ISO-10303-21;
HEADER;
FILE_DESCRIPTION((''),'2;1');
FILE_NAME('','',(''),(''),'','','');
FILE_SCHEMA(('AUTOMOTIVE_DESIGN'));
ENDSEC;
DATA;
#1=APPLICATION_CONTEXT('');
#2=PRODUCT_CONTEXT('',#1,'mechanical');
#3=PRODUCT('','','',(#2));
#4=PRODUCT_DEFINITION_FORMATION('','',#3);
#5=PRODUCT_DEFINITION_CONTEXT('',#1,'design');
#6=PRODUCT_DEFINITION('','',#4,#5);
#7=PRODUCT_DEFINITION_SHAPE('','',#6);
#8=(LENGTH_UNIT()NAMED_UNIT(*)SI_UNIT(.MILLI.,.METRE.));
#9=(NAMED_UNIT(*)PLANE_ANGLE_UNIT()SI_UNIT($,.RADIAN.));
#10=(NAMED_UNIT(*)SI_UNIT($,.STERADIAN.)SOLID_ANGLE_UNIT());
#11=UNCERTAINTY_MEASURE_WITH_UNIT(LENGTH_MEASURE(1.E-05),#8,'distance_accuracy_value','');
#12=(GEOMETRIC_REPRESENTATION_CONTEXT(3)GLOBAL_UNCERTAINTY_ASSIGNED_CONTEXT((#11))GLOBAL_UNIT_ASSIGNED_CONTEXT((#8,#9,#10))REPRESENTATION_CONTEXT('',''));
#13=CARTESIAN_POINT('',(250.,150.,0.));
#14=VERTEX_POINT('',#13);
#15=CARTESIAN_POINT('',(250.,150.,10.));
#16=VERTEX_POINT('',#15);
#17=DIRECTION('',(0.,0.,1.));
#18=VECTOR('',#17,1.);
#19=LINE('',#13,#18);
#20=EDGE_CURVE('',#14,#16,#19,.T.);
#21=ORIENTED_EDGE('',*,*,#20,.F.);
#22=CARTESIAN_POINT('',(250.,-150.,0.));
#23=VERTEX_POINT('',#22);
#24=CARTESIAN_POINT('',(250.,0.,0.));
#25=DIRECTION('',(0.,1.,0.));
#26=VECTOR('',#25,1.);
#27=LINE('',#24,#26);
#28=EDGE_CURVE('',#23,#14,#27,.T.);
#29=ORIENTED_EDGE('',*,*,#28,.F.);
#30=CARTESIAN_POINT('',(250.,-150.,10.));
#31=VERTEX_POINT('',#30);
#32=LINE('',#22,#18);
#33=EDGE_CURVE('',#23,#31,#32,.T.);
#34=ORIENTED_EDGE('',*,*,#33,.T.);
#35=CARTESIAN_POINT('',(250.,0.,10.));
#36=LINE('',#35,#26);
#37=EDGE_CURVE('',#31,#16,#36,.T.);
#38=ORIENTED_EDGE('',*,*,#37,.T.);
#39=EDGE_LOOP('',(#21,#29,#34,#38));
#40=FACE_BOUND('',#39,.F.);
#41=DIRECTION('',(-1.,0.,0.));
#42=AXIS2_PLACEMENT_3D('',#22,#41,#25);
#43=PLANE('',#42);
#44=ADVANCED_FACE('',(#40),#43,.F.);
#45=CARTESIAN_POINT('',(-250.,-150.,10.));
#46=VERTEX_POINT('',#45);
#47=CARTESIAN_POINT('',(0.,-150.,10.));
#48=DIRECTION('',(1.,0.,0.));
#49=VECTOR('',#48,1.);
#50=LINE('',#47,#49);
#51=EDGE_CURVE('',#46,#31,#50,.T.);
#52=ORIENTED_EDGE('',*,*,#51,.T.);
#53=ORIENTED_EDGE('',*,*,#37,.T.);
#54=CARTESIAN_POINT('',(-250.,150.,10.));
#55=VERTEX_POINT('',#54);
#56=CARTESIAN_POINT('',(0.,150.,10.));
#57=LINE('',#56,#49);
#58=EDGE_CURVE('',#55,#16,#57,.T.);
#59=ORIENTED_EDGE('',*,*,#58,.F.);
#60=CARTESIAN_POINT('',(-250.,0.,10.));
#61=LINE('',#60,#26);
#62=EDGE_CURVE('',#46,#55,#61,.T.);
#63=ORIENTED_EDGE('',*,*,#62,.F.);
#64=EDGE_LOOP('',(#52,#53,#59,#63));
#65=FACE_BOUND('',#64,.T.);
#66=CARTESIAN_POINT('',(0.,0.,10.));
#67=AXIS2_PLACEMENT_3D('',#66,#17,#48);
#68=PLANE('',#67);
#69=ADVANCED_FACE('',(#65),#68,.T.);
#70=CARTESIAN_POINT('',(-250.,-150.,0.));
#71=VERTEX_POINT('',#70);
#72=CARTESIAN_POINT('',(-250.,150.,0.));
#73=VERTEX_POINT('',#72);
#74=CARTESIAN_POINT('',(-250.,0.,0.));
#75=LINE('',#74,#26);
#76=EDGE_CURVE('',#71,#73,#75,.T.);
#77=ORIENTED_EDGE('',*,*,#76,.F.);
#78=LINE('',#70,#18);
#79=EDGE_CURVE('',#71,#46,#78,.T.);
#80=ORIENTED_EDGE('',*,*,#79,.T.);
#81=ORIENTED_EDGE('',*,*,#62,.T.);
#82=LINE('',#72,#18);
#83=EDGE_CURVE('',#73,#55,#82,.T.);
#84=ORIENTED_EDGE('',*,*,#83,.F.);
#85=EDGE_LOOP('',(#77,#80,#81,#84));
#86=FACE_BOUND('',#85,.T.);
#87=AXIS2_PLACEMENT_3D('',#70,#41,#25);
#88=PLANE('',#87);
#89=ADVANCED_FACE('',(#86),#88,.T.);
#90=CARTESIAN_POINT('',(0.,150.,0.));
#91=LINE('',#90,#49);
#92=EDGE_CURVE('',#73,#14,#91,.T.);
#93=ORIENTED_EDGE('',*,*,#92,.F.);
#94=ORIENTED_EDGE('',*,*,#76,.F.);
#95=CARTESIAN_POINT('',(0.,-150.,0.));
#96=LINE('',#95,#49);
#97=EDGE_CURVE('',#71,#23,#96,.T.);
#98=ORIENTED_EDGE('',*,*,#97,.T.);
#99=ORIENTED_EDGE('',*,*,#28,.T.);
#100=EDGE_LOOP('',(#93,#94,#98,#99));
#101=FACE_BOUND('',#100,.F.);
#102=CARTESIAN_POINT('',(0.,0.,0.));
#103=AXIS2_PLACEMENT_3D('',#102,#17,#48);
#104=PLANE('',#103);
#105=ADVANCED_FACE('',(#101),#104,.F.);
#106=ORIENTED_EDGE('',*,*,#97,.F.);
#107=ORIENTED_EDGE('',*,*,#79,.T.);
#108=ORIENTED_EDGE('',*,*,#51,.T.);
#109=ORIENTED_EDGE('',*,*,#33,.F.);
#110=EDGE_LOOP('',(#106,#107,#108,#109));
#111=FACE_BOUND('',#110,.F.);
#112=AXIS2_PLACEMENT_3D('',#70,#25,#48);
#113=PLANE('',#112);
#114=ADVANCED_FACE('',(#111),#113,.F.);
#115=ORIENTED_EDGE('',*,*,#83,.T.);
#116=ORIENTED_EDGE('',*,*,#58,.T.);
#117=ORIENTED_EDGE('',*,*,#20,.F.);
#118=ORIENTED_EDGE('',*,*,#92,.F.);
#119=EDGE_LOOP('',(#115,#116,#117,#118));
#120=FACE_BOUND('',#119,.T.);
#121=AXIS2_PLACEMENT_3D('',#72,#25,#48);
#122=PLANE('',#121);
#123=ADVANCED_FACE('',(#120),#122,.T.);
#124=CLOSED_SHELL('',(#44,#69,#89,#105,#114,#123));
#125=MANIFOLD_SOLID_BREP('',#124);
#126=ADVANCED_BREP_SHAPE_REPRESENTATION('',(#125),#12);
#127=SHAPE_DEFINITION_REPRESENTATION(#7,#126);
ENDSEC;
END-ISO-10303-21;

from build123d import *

# Parameters (mm, degrees)
SKETCH_W  = 500
SKETCH_H  = 300
PAD_DEPTH = 10


with BuildPart() as part:
    # Sketch → Pad (new body)
    with BuildSketch(Plane.XY):
        Rectangle(SKETCH_W, SKETCH_H)
    extrude(amount=PAD_DEPTH)


solid = part.part
